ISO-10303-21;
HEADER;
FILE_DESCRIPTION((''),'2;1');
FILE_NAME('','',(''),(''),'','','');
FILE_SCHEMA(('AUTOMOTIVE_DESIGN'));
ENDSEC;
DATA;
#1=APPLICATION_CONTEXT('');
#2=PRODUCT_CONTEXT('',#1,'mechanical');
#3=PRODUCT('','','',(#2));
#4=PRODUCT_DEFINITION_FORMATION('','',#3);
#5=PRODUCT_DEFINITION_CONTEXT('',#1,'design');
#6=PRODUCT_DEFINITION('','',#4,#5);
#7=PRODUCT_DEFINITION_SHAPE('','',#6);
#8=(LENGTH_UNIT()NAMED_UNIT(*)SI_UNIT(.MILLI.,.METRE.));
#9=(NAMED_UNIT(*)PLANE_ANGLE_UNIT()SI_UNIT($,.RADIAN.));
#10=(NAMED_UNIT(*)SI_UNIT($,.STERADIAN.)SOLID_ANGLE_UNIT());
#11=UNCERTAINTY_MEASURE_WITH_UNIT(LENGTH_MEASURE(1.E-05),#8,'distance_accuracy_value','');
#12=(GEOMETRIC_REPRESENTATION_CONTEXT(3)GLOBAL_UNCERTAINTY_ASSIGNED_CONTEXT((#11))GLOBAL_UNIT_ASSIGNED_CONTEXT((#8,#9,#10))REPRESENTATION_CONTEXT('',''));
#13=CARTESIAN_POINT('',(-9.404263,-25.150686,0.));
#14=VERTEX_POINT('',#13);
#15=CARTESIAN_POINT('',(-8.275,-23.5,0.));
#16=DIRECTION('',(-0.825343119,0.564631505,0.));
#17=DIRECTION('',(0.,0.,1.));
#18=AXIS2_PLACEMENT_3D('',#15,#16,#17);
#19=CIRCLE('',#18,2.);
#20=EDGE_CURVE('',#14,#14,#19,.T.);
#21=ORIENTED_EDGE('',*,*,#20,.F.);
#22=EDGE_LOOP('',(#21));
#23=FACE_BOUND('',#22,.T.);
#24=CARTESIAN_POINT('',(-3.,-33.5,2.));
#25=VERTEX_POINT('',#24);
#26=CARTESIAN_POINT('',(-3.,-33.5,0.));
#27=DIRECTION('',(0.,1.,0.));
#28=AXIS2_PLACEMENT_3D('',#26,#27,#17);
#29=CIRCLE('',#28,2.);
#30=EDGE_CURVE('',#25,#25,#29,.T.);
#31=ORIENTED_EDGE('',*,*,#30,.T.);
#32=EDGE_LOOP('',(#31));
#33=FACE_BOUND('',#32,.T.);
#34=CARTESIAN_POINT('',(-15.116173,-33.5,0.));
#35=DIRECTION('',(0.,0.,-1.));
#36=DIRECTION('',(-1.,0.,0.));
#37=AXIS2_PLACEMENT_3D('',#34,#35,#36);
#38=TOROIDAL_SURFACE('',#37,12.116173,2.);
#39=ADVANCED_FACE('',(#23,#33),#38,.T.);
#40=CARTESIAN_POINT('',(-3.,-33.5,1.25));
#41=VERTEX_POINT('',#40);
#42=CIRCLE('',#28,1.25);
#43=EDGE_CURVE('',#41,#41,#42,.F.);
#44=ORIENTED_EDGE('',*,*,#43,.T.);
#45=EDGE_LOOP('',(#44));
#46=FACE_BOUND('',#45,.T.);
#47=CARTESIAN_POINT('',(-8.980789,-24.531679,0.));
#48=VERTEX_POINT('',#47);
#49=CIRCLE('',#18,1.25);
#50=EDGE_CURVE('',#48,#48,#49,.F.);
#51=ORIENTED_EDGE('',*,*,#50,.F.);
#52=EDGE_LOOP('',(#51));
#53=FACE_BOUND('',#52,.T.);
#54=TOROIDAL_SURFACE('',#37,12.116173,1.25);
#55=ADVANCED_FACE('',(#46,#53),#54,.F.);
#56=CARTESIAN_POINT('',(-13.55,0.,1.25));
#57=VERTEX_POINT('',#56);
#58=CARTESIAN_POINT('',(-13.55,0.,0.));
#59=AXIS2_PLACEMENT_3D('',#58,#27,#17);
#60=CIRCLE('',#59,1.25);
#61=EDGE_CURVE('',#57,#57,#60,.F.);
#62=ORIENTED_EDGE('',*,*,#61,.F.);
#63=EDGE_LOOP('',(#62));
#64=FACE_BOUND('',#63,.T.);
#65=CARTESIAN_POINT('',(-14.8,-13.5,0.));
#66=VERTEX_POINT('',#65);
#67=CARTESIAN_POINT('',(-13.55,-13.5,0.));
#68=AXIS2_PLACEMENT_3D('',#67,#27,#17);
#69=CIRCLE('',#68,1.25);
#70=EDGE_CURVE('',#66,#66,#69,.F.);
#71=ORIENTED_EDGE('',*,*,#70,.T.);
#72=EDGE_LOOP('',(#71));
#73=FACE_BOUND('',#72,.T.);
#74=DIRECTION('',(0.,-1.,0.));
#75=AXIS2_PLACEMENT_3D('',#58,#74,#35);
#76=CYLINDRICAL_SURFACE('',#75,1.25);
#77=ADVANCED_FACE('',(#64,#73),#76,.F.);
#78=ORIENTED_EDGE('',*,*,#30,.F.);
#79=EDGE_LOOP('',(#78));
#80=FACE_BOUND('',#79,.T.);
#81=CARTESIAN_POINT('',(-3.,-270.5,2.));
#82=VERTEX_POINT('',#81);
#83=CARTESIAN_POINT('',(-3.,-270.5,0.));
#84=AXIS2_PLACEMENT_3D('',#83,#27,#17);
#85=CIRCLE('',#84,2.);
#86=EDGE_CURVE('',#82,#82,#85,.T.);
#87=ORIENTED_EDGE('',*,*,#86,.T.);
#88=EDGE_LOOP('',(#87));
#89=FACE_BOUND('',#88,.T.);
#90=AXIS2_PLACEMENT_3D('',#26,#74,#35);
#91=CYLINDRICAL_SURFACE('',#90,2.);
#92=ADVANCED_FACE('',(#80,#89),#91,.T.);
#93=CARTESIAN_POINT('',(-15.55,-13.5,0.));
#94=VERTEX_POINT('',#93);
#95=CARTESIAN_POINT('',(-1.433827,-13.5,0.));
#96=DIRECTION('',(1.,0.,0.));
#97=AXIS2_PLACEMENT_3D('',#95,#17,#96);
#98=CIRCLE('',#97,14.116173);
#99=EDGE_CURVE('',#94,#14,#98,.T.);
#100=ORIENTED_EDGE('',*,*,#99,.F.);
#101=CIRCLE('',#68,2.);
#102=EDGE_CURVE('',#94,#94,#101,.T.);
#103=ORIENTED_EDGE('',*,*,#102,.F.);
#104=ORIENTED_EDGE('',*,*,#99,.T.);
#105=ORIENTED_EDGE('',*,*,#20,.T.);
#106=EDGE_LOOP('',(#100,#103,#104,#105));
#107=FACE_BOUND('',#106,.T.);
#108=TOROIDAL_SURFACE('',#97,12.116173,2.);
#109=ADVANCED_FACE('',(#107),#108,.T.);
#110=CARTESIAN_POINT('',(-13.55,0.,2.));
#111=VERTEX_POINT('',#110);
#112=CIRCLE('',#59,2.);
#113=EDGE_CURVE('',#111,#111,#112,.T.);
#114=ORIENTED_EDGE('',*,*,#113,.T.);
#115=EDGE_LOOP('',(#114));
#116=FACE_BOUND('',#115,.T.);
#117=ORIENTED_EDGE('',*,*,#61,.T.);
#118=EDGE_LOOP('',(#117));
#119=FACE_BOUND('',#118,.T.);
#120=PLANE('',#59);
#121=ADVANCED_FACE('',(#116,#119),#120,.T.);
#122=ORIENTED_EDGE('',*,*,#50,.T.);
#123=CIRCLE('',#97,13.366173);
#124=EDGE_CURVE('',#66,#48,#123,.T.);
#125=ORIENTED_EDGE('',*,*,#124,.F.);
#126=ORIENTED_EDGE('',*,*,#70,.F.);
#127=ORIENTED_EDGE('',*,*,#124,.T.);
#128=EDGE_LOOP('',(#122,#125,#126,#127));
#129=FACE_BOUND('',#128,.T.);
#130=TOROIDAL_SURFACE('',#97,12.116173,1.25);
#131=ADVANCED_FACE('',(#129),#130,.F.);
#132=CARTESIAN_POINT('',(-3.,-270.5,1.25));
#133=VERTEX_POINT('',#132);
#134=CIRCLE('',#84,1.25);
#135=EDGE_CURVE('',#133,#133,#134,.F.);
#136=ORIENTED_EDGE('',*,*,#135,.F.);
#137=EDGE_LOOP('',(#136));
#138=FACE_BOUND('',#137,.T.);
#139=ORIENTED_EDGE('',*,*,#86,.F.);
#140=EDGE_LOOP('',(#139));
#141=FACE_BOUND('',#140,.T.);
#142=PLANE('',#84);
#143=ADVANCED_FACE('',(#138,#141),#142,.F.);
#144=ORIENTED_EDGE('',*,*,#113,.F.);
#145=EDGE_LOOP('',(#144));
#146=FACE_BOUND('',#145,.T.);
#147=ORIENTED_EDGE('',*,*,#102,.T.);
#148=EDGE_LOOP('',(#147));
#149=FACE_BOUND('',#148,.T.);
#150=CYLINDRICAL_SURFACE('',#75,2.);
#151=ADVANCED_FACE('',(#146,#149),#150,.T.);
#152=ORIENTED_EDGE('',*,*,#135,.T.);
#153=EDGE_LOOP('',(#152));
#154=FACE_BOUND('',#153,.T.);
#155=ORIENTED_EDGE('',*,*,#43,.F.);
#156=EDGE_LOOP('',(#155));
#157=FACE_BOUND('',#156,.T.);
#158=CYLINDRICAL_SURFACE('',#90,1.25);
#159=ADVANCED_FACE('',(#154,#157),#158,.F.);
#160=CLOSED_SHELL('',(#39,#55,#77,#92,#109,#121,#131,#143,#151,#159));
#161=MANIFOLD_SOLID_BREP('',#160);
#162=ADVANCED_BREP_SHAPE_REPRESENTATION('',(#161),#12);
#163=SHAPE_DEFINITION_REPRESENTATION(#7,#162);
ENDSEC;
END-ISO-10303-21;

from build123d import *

# Parameters (mm, degrees)
UTILITY_CIRCULAR_CROSS_SECTION_R   = 2
UTILITY_CIRCULAR_CROSS_SECTION_R_2 = 1.25


with BuildPart() as part:
    # Native hollow utility sweep: sweep along a path in Illustrative smooth utility route
    with BuildLine(Plane.XY) as native_hollow_utility_sweep_path:
        Line((-13.55, 0), (-13.55, -13.5))
        ThreePointArc((-13.55, -13.5), (-12.150414231, -19.152999757), (-8.275, -23.5))
        ThreePointArc((-8.275, -23.5), (-4.399585769, -27.847000243), (-3, -33.5))
        Line((-3, -33.5), (-3, -270.5))
    # Utility circular cross section → Native hollow utility sweep (sweep)
    with BuildSketch(Plane(origin=(0, 0, 0), x_dir=(1, 0, 0), z_dir=(0, 1, 0))):
        with Locations((-13.55, 0)):
            Circle(UTILITY_CIRCULAR_CROSS_SECTION_R)
        with Locations((-13.55, 0)):
            Circle(UTILITY_CIRCULAR_CROSS_SECTION_R_2, mode=Mode.SUBTRACT)
    sweep(path=native_hollow_utility_sweep_path.line)


solid = part.part
